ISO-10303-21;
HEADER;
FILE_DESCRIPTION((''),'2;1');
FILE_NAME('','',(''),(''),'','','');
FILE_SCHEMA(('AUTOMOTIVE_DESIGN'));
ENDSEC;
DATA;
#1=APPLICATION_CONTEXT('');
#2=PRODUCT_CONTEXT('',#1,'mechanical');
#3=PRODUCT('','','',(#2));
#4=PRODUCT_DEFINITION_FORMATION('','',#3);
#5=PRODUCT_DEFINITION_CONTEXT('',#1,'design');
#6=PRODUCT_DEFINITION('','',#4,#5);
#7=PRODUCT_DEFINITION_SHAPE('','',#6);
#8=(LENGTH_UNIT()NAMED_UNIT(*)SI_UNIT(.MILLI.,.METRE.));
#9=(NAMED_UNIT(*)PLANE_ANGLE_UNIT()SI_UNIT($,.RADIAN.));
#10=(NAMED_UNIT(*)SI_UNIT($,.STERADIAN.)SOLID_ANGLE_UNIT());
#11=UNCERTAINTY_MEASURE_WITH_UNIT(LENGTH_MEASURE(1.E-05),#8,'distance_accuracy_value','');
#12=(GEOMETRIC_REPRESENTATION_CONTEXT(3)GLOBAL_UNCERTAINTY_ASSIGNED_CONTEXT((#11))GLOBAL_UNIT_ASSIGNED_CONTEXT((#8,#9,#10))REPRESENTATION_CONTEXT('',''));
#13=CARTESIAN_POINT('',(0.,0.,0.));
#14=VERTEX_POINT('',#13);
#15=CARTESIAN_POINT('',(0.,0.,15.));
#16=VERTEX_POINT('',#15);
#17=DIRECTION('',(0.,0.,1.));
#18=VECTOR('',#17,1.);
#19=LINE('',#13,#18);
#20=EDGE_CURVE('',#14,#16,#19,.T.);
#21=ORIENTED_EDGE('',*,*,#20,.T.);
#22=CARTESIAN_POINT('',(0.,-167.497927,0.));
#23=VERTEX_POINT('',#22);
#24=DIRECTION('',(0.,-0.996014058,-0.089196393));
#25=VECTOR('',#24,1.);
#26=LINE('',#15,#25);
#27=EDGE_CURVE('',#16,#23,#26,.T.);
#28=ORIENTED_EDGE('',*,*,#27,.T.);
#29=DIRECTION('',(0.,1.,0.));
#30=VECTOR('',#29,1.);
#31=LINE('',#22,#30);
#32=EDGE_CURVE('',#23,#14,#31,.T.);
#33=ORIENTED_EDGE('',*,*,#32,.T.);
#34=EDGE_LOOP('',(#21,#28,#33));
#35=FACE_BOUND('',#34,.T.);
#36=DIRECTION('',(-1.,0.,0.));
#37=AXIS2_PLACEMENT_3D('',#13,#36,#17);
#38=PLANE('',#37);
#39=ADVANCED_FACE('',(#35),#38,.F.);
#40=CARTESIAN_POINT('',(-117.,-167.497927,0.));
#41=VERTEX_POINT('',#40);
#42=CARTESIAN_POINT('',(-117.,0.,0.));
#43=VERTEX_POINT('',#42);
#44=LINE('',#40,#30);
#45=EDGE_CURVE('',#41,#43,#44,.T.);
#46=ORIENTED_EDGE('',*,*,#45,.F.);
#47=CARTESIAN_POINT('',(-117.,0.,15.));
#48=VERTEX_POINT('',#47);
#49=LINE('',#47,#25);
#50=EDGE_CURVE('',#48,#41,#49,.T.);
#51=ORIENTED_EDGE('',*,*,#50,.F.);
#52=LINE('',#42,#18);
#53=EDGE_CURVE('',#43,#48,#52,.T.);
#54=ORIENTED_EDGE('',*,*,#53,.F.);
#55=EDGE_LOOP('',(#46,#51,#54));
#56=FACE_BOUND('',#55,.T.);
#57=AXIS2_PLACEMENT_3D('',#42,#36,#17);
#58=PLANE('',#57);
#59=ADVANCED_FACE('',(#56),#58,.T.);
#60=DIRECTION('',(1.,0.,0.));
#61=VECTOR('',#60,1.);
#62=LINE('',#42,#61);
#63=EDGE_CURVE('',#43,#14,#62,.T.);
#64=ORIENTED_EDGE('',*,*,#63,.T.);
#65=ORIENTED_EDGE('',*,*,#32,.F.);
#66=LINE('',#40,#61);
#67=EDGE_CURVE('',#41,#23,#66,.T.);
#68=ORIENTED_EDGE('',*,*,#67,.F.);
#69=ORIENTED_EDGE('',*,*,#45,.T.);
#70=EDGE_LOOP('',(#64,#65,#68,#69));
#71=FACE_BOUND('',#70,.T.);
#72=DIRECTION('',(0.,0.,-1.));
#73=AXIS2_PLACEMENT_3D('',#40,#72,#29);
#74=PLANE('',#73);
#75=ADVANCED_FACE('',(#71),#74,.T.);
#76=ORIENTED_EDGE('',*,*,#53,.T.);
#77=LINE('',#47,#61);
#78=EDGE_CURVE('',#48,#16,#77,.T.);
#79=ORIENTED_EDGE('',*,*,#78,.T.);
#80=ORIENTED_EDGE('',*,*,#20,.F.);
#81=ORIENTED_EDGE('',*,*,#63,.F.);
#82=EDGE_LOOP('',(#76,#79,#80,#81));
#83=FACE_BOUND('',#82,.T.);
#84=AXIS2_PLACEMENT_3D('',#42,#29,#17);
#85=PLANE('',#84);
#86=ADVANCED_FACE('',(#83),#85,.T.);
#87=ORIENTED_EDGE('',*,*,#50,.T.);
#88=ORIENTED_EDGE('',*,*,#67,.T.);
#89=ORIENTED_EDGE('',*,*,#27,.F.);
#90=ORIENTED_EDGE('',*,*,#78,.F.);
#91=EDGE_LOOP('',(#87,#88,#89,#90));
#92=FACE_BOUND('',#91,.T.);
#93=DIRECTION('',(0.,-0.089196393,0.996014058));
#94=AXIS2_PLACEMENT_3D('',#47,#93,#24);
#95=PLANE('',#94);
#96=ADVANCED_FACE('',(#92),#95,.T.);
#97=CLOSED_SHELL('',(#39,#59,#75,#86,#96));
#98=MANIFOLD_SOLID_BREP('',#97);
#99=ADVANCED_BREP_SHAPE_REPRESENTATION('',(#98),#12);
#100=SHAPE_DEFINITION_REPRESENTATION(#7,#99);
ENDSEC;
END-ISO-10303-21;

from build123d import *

# Parameters (mm, degrees)
BOSS_EXTRUDE1_DEPTH = 117


with BuildPart() as part:
    # Sketch3 → Boss-Extrude1 (new body)
    with BuildSketch(Plane(origin=(0, 0, 0), x_dir=(0, 0, -1), z_dir=(1, 0, 0))):
        Polygon((-15, 0), (0, -167.497927019), (0, 0), align=None)
    extrude(amount=-BOSS_EXTRUDE1_DEPTH)


solid = part.part
